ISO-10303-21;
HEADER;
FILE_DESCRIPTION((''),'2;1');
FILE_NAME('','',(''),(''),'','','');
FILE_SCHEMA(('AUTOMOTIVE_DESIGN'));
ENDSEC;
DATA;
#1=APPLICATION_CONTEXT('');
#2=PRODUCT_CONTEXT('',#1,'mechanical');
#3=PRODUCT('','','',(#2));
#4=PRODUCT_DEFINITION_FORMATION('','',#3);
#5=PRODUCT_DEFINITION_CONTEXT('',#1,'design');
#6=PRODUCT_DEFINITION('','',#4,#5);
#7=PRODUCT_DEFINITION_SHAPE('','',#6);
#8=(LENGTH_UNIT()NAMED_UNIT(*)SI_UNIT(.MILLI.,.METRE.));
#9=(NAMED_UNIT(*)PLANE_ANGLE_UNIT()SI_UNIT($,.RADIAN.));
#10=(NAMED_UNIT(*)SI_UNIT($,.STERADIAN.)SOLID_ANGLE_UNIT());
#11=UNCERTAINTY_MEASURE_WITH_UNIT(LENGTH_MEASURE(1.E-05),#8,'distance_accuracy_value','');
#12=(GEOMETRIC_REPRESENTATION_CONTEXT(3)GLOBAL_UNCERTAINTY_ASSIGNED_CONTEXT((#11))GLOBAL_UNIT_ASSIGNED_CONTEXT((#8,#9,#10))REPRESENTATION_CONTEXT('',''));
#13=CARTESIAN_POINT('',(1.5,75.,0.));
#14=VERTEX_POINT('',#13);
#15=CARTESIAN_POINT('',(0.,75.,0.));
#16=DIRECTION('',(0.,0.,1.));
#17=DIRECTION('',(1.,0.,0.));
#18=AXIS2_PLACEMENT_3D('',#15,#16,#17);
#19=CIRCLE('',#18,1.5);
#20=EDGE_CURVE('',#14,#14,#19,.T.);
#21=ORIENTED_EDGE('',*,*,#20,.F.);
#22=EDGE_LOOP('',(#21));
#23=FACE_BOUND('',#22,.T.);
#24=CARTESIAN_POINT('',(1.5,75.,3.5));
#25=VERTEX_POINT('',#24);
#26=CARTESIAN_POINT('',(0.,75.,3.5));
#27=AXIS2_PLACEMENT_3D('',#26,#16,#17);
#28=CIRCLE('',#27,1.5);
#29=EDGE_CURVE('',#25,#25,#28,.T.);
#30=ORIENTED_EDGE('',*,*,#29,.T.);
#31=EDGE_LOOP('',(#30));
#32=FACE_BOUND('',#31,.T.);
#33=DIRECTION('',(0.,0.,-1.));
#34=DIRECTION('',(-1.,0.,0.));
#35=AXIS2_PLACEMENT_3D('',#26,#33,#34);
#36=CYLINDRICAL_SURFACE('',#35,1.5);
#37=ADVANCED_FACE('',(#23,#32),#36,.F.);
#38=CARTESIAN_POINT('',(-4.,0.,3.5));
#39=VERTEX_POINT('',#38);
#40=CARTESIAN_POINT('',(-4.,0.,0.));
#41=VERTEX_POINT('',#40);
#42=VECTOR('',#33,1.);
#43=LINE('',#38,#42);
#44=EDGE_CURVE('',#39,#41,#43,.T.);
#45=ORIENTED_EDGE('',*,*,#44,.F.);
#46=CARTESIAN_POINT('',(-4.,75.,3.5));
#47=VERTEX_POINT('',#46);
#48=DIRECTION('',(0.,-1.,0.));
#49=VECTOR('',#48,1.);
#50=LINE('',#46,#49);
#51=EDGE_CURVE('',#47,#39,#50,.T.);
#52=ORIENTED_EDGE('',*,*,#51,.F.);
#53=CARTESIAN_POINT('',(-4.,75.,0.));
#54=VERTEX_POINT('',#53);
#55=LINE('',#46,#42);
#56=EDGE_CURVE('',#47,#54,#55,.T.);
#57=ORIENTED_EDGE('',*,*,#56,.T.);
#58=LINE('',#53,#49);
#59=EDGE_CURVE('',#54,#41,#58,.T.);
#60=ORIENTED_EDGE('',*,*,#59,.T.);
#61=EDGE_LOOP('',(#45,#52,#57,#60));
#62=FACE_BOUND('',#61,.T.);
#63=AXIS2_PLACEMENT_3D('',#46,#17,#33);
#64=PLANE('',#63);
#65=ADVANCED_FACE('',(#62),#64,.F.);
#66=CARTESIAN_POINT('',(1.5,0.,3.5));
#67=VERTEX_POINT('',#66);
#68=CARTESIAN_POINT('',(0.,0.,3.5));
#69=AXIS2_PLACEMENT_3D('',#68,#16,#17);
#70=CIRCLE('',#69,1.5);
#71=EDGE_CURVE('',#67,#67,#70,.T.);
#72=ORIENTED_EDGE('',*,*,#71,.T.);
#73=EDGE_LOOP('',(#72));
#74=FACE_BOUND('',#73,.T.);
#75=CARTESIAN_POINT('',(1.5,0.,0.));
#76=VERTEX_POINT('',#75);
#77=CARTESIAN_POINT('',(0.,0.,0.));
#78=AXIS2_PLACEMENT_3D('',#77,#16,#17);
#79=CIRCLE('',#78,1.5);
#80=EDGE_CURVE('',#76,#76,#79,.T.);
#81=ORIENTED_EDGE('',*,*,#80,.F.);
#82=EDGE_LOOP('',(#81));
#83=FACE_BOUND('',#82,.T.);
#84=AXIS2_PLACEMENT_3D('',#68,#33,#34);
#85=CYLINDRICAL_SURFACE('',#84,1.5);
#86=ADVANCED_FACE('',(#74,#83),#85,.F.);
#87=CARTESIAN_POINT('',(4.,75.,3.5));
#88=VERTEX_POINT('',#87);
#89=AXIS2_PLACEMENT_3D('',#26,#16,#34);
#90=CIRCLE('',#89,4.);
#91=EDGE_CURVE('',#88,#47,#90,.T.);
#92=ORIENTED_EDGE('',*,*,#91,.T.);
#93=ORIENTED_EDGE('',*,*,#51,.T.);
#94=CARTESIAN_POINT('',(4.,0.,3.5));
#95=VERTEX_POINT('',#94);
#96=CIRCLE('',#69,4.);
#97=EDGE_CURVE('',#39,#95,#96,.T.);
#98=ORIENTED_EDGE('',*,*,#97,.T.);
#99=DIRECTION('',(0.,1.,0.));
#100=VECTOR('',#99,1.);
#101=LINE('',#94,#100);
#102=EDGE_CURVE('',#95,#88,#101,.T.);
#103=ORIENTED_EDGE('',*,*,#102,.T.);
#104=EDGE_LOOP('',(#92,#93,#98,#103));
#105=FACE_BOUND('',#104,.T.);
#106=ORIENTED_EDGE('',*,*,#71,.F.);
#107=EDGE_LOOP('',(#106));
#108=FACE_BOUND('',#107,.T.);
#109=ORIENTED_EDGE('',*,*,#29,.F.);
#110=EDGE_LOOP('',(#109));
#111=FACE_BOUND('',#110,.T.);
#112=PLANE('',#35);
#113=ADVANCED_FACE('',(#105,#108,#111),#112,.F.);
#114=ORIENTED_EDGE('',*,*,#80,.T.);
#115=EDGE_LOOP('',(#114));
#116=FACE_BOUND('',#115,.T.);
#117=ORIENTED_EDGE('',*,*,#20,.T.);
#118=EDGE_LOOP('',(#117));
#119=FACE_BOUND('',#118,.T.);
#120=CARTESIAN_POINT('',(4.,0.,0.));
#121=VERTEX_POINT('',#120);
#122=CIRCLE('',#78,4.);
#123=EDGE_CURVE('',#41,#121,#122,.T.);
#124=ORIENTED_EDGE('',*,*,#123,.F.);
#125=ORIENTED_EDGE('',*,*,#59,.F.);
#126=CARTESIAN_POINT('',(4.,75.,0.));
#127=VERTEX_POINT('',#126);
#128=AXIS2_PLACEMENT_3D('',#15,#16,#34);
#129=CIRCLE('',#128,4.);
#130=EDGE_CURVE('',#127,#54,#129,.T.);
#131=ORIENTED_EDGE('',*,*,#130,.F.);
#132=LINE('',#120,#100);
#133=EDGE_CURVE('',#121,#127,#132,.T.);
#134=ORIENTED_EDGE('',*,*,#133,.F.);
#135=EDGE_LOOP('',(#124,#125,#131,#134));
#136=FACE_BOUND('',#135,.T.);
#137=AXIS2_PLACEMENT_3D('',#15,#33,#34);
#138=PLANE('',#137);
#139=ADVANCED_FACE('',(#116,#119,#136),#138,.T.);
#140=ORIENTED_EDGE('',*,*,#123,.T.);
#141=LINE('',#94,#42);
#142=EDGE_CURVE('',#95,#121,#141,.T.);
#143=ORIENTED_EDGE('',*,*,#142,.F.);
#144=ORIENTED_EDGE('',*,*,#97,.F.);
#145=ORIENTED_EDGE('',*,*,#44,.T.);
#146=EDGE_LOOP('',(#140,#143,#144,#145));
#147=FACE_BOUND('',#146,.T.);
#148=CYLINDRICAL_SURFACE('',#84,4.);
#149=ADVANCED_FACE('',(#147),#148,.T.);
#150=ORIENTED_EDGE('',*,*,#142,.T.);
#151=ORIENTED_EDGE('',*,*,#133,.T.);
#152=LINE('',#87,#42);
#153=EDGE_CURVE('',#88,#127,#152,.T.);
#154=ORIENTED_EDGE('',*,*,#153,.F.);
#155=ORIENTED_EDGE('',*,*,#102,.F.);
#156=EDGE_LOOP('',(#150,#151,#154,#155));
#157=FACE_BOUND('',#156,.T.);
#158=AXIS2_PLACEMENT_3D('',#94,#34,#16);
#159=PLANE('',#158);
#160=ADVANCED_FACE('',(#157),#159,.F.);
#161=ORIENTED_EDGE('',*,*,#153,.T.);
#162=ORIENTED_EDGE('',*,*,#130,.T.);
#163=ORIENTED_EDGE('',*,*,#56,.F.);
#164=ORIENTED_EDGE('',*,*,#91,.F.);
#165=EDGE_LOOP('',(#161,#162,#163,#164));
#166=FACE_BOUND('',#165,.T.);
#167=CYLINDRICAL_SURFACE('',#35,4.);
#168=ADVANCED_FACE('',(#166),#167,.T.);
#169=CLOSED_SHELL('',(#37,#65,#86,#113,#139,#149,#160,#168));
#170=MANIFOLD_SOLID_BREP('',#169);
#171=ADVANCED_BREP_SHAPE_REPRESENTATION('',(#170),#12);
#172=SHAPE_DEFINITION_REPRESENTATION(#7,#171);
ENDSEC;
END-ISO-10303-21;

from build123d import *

# Parameters (mm, degrees)
SKETCH1_R           = 1.5
BOSS_EXTRUDE1_DEPTH = 3.5


with BuildPart() as part:
    # Sketch1 → Boss-Extrude1 (new body)
    with BuildSketch(Plane.XY):
        with BuildLine():
            Line((-4, 75), (-4, 0))
            ThreePointArc((-4, 0), (0, -4), (4, 0))
            Line((4, 0), (4, 75))
            ThreePointArc((4, 75), (0, 79), (-4, 75))
        make_face()
        with Locations((0, 75)):
            Circle(SKETCH1_R, mode=Mode.SUBTRACT)
        Circle(SKETCH1_R, mode=Mode.SUBTRACT)
    extrude(amount=BOSS_EXTRUDE1_DEPTH)


solid = part.part
